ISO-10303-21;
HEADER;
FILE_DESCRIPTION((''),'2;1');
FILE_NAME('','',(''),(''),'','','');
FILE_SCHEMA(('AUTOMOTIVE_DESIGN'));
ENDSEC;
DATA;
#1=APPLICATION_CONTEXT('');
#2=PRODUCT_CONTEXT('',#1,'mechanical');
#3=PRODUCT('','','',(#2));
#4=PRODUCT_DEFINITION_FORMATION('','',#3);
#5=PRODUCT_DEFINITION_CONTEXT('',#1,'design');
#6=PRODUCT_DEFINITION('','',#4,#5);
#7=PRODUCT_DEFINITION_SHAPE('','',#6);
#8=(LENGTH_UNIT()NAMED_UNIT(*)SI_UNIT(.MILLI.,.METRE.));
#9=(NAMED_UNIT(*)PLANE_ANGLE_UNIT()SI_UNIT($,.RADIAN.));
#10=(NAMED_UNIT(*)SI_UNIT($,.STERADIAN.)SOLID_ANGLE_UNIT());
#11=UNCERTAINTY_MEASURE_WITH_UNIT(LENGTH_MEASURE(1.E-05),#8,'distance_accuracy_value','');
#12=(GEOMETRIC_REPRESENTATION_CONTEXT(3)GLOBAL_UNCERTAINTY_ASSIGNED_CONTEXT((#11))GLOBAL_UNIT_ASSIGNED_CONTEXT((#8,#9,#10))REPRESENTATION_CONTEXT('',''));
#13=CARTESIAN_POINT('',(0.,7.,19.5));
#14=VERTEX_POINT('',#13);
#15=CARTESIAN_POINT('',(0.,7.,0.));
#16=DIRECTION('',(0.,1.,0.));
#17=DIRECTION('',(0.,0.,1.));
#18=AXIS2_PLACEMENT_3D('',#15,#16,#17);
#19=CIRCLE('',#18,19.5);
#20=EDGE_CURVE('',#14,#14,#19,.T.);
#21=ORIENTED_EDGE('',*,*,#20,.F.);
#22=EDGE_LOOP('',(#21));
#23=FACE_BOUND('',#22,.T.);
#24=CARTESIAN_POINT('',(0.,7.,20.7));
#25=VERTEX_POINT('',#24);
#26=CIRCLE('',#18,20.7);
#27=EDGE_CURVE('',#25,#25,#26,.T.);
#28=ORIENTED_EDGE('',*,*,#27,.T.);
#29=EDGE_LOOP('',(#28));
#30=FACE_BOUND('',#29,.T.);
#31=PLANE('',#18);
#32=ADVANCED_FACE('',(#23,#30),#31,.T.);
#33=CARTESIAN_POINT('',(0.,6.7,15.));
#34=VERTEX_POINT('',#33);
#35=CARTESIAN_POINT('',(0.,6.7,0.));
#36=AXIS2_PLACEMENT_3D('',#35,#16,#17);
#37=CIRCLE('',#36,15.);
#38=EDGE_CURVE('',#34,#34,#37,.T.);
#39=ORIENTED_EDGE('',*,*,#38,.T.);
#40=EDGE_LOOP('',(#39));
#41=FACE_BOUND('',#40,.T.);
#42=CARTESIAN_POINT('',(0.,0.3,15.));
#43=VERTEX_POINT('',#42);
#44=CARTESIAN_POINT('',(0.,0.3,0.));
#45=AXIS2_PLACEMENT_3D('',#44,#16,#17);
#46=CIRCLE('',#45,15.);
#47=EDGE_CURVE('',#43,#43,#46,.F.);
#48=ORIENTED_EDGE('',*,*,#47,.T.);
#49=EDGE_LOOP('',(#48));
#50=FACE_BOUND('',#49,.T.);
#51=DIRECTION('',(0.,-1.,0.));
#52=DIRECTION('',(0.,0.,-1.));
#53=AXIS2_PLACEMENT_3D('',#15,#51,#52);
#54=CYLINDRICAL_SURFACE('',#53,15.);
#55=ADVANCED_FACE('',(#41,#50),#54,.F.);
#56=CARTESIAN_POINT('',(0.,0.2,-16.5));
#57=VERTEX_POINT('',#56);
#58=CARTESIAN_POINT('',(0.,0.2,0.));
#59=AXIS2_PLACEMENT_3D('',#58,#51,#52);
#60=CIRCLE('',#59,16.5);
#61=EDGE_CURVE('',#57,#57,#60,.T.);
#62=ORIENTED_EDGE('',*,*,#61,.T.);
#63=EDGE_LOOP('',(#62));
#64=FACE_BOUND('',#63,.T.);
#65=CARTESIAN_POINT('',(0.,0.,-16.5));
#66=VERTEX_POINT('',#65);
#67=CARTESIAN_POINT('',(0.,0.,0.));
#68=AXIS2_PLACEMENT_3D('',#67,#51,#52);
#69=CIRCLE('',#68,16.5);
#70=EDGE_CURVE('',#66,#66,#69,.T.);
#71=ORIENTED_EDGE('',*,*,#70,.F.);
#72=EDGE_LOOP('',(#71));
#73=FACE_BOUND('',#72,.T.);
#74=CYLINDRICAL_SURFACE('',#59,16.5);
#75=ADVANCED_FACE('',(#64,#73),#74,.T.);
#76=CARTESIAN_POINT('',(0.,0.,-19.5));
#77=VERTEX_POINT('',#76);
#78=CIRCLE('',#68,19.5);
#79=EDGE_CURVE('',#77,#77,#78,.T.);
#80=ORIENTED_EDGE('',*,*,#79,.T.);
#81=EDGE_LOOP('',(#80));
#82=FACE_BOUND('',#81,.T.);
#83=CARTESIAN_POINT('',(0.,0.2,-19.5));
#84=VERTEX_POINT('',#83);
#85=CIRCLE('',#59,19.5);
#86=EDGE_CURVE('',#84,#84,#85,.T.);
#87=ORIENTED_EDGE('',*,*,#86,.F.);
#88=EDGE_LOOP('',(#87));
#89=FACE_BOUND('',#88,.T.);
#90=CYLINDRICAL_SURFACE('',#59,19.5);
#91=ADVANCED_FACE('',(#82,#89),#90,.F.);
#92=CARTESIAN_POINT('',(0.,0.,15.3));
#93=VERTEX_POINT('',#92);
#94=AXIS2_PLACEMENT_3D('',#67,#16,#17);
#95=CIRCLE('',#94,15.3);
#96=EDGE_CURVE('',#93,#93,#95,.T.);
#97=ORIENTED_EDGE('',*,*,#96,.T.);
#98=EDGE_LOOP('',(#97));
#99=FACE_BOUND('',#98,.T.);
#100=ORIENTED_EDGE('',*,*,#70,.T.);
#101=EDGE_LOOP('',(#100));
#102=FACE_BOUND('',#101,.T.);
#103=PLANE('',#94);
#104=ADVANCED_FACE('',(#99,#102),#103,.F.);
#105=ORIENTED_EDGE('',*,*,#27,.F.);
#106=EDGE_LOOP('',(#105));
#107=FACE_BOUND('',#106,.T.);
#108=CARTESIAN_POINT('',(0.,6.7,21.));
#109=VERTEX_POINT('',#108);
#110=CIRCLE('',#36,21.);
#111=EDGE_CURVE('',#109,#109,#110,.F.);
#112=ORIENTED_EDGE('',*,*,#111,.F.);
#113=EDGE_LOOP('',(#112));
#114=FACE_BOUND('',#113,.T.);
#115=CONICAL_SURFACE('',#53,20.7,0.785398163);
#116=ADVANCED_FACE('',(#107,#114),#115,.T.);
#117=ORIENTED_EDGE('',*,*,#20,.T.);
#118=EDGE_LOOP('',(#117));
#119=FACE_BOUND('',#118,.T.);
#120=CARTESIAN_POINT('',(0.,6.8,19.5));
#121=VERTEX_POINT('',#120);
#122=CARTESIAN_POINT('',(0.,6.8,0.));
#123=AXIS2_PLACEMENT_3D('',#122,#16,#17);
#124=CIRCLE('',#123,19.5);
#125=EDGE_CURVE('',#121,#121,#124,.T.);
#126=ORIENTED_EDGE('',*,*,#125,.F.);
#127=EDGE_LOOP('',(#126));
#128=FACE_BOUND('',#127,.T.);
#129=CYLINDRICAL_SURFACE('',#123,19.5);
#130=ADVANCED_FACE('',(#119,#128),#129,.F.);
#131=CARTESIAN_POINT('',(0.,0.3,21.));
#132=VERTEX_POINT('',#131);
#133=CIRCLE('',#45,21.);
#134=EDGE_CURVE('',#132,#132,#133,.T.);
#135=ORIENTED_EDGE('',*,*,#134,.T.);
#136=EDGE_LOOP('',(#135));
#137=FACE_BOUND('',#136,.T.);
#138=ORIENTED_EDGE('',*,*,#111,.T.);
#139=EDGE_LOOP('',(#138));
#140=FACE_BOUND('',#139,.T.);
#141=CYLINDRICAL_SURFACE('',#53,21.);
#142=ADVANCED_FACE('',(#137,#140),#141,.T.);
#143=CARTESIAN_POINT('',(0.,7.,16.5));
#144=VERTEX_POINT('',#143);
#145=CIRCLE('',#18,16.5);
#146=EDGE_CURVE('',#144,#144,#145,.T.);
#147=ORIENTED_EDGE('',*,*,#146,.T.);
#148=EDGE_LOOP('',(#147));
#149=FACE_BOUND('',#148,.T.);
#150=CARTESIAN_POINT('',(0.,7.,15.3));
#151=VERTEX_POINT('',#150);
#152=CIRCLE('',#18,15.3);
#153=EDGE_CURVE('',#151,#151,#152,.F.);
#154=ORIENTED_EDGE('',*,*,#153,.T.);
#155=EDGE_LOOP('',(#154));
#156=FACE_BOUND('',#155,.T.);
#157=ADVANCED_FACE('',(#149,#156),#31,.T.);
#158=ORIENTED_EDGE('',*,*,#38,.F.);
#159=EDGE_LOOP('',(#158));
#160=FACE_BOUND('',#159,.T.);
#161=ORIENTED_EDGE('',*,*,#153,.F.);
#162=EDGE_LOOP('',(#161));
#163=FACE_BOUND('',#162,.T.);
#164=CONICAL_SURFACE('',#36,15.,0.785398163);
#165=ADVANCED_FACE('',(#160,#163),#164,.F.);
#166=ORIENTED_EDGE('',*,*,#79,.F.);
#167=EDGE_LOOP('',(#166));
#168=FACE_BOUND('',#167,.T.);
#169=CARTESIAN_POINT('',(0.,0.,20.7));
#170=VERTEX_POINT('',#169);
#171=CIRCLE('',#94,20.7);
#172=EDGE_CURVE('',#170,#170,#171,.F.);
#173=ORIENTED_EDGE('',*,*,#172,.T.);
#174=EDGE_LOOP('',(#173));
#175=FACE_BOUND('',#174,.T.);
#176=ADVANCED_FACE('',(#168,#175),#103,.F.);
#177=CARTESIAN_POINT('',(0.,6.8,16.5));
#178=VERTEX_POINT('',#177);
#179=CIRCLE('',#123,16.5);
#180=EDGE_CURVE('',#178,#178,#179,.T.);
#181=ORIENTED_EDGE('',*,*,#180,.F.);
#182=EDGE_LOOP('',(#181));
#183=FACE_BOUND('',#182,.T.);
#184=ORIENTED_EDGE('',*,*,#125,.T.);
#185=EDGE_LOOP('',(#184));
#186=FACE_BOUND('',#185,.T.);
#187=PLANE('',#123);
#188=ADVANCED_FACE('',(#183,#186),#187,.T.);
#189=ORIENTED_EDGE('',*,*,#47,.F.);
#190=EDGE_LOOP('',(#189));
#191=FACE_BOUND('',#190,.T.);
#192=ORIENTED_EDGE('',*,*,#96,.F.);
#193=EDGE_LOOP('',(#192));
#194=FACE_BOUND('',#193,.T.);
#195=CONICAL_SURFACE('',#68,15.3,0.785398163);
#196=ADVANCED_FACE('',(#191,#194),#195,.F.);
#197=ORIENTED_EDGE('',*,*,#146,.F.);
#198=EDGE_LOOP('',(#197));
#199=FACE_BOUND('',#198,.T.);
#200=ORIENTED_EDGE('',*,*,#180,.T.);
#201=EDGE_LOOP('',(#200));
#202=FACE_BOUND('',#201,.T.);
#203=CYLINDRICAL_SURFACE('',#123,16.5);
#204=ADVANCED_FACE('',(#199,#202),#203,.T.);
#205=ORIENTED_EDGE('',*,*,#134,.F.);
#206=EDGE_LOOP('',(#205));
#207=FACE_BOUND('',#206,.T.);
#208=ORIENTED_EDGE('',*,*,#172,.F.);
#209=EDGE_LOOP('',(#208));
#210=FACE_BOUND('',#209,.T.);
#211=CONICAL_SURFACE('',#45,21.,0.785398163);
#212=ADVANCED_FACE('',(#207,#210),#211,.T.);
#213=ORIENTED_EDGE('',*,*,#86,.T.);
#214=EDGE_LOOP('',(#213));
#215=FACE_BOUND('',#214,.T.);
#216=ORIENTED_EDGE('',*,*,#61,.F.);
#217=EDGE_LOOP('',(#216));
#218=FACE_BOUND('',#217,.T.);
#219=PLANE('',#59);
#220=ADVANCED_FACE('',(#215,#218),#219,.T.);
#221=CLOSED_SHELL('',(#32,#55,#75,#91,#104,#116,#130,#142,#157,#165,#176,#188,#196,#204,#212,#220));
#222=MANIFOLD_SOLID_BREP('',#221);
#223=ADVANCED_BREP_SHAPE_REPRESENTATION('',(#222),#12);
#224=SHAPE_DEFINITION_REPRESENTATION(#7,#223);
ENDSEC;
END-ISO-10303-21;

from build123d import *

# Parameters (mm, degrees)
SKETCH1_R           = 21
SKETCH1_R_2         = 15
BOSS_EXTRUDE1_DEPTH = 7
SKETCH2_R           = 19.5
SKETCH2_R_2         = 16.5
CUT_EXTRUDE1_DEPTH  = 0.2
CHAMFER1_SIZE       = 0.3
SKETCH3_R           = 19.5
SKETCH3_R_2         = 16.5
CUT_EXTRUDE2_DEPTH  = 0.2


with BuildPart() as part:
    # Sketch1 → Boss-Extrude1 (new body)
    with BuildSketch(Plane(origin=(0, 0, 0), x_dir=(1, 0, 0), z_dir=(0, 1, 0))):
        Circle(SKETCH1_R)
        Circle(SKETCH1_R_2, mode=Mode.SUBTRACT)
    extrude(amount=BOSS_EXTRUDE1_DEPTH)

    # Sketch2 → Cut-Extrude1 (cut)
    with BuildSketch(Plane(origin=(0, 7, 0), x_dir=(1, 0, 0), z_dir=(0, 1, 0))):
        Circle(SKETCH2_R)
        Circle(SKETCH2_R_2, mode=Mode.SUBTRACT)
    extrude(amount=-CUT_EXTRUDE1_DEPTH, mode=Mode.SUBTRACT)

    # Chamfer1
    chamfer1_edges = [part.edges().sort_by_distance(p)[0] for p in [
        (-21, 0, 0),
        (-21, 7, 0),
        (-15, 0, 0),
        (-15, 7, 0),
    ]]
    chamfer(chamfer1_edges, length=CHAMFER1_SIZE)

    # Sketch3 → Cut-Extrude2 (cut)
    with BuildSketch(Plane.XZ):
        Circle(SKETCH3_R)
        Circle(SKETCH3_R_2, mode=Mode.SUBTRACT)
    extrude(amount=-CUT_EXTRUDE2_DEPTH, mode=Mode.SUBTRACT)


solid = part.part
